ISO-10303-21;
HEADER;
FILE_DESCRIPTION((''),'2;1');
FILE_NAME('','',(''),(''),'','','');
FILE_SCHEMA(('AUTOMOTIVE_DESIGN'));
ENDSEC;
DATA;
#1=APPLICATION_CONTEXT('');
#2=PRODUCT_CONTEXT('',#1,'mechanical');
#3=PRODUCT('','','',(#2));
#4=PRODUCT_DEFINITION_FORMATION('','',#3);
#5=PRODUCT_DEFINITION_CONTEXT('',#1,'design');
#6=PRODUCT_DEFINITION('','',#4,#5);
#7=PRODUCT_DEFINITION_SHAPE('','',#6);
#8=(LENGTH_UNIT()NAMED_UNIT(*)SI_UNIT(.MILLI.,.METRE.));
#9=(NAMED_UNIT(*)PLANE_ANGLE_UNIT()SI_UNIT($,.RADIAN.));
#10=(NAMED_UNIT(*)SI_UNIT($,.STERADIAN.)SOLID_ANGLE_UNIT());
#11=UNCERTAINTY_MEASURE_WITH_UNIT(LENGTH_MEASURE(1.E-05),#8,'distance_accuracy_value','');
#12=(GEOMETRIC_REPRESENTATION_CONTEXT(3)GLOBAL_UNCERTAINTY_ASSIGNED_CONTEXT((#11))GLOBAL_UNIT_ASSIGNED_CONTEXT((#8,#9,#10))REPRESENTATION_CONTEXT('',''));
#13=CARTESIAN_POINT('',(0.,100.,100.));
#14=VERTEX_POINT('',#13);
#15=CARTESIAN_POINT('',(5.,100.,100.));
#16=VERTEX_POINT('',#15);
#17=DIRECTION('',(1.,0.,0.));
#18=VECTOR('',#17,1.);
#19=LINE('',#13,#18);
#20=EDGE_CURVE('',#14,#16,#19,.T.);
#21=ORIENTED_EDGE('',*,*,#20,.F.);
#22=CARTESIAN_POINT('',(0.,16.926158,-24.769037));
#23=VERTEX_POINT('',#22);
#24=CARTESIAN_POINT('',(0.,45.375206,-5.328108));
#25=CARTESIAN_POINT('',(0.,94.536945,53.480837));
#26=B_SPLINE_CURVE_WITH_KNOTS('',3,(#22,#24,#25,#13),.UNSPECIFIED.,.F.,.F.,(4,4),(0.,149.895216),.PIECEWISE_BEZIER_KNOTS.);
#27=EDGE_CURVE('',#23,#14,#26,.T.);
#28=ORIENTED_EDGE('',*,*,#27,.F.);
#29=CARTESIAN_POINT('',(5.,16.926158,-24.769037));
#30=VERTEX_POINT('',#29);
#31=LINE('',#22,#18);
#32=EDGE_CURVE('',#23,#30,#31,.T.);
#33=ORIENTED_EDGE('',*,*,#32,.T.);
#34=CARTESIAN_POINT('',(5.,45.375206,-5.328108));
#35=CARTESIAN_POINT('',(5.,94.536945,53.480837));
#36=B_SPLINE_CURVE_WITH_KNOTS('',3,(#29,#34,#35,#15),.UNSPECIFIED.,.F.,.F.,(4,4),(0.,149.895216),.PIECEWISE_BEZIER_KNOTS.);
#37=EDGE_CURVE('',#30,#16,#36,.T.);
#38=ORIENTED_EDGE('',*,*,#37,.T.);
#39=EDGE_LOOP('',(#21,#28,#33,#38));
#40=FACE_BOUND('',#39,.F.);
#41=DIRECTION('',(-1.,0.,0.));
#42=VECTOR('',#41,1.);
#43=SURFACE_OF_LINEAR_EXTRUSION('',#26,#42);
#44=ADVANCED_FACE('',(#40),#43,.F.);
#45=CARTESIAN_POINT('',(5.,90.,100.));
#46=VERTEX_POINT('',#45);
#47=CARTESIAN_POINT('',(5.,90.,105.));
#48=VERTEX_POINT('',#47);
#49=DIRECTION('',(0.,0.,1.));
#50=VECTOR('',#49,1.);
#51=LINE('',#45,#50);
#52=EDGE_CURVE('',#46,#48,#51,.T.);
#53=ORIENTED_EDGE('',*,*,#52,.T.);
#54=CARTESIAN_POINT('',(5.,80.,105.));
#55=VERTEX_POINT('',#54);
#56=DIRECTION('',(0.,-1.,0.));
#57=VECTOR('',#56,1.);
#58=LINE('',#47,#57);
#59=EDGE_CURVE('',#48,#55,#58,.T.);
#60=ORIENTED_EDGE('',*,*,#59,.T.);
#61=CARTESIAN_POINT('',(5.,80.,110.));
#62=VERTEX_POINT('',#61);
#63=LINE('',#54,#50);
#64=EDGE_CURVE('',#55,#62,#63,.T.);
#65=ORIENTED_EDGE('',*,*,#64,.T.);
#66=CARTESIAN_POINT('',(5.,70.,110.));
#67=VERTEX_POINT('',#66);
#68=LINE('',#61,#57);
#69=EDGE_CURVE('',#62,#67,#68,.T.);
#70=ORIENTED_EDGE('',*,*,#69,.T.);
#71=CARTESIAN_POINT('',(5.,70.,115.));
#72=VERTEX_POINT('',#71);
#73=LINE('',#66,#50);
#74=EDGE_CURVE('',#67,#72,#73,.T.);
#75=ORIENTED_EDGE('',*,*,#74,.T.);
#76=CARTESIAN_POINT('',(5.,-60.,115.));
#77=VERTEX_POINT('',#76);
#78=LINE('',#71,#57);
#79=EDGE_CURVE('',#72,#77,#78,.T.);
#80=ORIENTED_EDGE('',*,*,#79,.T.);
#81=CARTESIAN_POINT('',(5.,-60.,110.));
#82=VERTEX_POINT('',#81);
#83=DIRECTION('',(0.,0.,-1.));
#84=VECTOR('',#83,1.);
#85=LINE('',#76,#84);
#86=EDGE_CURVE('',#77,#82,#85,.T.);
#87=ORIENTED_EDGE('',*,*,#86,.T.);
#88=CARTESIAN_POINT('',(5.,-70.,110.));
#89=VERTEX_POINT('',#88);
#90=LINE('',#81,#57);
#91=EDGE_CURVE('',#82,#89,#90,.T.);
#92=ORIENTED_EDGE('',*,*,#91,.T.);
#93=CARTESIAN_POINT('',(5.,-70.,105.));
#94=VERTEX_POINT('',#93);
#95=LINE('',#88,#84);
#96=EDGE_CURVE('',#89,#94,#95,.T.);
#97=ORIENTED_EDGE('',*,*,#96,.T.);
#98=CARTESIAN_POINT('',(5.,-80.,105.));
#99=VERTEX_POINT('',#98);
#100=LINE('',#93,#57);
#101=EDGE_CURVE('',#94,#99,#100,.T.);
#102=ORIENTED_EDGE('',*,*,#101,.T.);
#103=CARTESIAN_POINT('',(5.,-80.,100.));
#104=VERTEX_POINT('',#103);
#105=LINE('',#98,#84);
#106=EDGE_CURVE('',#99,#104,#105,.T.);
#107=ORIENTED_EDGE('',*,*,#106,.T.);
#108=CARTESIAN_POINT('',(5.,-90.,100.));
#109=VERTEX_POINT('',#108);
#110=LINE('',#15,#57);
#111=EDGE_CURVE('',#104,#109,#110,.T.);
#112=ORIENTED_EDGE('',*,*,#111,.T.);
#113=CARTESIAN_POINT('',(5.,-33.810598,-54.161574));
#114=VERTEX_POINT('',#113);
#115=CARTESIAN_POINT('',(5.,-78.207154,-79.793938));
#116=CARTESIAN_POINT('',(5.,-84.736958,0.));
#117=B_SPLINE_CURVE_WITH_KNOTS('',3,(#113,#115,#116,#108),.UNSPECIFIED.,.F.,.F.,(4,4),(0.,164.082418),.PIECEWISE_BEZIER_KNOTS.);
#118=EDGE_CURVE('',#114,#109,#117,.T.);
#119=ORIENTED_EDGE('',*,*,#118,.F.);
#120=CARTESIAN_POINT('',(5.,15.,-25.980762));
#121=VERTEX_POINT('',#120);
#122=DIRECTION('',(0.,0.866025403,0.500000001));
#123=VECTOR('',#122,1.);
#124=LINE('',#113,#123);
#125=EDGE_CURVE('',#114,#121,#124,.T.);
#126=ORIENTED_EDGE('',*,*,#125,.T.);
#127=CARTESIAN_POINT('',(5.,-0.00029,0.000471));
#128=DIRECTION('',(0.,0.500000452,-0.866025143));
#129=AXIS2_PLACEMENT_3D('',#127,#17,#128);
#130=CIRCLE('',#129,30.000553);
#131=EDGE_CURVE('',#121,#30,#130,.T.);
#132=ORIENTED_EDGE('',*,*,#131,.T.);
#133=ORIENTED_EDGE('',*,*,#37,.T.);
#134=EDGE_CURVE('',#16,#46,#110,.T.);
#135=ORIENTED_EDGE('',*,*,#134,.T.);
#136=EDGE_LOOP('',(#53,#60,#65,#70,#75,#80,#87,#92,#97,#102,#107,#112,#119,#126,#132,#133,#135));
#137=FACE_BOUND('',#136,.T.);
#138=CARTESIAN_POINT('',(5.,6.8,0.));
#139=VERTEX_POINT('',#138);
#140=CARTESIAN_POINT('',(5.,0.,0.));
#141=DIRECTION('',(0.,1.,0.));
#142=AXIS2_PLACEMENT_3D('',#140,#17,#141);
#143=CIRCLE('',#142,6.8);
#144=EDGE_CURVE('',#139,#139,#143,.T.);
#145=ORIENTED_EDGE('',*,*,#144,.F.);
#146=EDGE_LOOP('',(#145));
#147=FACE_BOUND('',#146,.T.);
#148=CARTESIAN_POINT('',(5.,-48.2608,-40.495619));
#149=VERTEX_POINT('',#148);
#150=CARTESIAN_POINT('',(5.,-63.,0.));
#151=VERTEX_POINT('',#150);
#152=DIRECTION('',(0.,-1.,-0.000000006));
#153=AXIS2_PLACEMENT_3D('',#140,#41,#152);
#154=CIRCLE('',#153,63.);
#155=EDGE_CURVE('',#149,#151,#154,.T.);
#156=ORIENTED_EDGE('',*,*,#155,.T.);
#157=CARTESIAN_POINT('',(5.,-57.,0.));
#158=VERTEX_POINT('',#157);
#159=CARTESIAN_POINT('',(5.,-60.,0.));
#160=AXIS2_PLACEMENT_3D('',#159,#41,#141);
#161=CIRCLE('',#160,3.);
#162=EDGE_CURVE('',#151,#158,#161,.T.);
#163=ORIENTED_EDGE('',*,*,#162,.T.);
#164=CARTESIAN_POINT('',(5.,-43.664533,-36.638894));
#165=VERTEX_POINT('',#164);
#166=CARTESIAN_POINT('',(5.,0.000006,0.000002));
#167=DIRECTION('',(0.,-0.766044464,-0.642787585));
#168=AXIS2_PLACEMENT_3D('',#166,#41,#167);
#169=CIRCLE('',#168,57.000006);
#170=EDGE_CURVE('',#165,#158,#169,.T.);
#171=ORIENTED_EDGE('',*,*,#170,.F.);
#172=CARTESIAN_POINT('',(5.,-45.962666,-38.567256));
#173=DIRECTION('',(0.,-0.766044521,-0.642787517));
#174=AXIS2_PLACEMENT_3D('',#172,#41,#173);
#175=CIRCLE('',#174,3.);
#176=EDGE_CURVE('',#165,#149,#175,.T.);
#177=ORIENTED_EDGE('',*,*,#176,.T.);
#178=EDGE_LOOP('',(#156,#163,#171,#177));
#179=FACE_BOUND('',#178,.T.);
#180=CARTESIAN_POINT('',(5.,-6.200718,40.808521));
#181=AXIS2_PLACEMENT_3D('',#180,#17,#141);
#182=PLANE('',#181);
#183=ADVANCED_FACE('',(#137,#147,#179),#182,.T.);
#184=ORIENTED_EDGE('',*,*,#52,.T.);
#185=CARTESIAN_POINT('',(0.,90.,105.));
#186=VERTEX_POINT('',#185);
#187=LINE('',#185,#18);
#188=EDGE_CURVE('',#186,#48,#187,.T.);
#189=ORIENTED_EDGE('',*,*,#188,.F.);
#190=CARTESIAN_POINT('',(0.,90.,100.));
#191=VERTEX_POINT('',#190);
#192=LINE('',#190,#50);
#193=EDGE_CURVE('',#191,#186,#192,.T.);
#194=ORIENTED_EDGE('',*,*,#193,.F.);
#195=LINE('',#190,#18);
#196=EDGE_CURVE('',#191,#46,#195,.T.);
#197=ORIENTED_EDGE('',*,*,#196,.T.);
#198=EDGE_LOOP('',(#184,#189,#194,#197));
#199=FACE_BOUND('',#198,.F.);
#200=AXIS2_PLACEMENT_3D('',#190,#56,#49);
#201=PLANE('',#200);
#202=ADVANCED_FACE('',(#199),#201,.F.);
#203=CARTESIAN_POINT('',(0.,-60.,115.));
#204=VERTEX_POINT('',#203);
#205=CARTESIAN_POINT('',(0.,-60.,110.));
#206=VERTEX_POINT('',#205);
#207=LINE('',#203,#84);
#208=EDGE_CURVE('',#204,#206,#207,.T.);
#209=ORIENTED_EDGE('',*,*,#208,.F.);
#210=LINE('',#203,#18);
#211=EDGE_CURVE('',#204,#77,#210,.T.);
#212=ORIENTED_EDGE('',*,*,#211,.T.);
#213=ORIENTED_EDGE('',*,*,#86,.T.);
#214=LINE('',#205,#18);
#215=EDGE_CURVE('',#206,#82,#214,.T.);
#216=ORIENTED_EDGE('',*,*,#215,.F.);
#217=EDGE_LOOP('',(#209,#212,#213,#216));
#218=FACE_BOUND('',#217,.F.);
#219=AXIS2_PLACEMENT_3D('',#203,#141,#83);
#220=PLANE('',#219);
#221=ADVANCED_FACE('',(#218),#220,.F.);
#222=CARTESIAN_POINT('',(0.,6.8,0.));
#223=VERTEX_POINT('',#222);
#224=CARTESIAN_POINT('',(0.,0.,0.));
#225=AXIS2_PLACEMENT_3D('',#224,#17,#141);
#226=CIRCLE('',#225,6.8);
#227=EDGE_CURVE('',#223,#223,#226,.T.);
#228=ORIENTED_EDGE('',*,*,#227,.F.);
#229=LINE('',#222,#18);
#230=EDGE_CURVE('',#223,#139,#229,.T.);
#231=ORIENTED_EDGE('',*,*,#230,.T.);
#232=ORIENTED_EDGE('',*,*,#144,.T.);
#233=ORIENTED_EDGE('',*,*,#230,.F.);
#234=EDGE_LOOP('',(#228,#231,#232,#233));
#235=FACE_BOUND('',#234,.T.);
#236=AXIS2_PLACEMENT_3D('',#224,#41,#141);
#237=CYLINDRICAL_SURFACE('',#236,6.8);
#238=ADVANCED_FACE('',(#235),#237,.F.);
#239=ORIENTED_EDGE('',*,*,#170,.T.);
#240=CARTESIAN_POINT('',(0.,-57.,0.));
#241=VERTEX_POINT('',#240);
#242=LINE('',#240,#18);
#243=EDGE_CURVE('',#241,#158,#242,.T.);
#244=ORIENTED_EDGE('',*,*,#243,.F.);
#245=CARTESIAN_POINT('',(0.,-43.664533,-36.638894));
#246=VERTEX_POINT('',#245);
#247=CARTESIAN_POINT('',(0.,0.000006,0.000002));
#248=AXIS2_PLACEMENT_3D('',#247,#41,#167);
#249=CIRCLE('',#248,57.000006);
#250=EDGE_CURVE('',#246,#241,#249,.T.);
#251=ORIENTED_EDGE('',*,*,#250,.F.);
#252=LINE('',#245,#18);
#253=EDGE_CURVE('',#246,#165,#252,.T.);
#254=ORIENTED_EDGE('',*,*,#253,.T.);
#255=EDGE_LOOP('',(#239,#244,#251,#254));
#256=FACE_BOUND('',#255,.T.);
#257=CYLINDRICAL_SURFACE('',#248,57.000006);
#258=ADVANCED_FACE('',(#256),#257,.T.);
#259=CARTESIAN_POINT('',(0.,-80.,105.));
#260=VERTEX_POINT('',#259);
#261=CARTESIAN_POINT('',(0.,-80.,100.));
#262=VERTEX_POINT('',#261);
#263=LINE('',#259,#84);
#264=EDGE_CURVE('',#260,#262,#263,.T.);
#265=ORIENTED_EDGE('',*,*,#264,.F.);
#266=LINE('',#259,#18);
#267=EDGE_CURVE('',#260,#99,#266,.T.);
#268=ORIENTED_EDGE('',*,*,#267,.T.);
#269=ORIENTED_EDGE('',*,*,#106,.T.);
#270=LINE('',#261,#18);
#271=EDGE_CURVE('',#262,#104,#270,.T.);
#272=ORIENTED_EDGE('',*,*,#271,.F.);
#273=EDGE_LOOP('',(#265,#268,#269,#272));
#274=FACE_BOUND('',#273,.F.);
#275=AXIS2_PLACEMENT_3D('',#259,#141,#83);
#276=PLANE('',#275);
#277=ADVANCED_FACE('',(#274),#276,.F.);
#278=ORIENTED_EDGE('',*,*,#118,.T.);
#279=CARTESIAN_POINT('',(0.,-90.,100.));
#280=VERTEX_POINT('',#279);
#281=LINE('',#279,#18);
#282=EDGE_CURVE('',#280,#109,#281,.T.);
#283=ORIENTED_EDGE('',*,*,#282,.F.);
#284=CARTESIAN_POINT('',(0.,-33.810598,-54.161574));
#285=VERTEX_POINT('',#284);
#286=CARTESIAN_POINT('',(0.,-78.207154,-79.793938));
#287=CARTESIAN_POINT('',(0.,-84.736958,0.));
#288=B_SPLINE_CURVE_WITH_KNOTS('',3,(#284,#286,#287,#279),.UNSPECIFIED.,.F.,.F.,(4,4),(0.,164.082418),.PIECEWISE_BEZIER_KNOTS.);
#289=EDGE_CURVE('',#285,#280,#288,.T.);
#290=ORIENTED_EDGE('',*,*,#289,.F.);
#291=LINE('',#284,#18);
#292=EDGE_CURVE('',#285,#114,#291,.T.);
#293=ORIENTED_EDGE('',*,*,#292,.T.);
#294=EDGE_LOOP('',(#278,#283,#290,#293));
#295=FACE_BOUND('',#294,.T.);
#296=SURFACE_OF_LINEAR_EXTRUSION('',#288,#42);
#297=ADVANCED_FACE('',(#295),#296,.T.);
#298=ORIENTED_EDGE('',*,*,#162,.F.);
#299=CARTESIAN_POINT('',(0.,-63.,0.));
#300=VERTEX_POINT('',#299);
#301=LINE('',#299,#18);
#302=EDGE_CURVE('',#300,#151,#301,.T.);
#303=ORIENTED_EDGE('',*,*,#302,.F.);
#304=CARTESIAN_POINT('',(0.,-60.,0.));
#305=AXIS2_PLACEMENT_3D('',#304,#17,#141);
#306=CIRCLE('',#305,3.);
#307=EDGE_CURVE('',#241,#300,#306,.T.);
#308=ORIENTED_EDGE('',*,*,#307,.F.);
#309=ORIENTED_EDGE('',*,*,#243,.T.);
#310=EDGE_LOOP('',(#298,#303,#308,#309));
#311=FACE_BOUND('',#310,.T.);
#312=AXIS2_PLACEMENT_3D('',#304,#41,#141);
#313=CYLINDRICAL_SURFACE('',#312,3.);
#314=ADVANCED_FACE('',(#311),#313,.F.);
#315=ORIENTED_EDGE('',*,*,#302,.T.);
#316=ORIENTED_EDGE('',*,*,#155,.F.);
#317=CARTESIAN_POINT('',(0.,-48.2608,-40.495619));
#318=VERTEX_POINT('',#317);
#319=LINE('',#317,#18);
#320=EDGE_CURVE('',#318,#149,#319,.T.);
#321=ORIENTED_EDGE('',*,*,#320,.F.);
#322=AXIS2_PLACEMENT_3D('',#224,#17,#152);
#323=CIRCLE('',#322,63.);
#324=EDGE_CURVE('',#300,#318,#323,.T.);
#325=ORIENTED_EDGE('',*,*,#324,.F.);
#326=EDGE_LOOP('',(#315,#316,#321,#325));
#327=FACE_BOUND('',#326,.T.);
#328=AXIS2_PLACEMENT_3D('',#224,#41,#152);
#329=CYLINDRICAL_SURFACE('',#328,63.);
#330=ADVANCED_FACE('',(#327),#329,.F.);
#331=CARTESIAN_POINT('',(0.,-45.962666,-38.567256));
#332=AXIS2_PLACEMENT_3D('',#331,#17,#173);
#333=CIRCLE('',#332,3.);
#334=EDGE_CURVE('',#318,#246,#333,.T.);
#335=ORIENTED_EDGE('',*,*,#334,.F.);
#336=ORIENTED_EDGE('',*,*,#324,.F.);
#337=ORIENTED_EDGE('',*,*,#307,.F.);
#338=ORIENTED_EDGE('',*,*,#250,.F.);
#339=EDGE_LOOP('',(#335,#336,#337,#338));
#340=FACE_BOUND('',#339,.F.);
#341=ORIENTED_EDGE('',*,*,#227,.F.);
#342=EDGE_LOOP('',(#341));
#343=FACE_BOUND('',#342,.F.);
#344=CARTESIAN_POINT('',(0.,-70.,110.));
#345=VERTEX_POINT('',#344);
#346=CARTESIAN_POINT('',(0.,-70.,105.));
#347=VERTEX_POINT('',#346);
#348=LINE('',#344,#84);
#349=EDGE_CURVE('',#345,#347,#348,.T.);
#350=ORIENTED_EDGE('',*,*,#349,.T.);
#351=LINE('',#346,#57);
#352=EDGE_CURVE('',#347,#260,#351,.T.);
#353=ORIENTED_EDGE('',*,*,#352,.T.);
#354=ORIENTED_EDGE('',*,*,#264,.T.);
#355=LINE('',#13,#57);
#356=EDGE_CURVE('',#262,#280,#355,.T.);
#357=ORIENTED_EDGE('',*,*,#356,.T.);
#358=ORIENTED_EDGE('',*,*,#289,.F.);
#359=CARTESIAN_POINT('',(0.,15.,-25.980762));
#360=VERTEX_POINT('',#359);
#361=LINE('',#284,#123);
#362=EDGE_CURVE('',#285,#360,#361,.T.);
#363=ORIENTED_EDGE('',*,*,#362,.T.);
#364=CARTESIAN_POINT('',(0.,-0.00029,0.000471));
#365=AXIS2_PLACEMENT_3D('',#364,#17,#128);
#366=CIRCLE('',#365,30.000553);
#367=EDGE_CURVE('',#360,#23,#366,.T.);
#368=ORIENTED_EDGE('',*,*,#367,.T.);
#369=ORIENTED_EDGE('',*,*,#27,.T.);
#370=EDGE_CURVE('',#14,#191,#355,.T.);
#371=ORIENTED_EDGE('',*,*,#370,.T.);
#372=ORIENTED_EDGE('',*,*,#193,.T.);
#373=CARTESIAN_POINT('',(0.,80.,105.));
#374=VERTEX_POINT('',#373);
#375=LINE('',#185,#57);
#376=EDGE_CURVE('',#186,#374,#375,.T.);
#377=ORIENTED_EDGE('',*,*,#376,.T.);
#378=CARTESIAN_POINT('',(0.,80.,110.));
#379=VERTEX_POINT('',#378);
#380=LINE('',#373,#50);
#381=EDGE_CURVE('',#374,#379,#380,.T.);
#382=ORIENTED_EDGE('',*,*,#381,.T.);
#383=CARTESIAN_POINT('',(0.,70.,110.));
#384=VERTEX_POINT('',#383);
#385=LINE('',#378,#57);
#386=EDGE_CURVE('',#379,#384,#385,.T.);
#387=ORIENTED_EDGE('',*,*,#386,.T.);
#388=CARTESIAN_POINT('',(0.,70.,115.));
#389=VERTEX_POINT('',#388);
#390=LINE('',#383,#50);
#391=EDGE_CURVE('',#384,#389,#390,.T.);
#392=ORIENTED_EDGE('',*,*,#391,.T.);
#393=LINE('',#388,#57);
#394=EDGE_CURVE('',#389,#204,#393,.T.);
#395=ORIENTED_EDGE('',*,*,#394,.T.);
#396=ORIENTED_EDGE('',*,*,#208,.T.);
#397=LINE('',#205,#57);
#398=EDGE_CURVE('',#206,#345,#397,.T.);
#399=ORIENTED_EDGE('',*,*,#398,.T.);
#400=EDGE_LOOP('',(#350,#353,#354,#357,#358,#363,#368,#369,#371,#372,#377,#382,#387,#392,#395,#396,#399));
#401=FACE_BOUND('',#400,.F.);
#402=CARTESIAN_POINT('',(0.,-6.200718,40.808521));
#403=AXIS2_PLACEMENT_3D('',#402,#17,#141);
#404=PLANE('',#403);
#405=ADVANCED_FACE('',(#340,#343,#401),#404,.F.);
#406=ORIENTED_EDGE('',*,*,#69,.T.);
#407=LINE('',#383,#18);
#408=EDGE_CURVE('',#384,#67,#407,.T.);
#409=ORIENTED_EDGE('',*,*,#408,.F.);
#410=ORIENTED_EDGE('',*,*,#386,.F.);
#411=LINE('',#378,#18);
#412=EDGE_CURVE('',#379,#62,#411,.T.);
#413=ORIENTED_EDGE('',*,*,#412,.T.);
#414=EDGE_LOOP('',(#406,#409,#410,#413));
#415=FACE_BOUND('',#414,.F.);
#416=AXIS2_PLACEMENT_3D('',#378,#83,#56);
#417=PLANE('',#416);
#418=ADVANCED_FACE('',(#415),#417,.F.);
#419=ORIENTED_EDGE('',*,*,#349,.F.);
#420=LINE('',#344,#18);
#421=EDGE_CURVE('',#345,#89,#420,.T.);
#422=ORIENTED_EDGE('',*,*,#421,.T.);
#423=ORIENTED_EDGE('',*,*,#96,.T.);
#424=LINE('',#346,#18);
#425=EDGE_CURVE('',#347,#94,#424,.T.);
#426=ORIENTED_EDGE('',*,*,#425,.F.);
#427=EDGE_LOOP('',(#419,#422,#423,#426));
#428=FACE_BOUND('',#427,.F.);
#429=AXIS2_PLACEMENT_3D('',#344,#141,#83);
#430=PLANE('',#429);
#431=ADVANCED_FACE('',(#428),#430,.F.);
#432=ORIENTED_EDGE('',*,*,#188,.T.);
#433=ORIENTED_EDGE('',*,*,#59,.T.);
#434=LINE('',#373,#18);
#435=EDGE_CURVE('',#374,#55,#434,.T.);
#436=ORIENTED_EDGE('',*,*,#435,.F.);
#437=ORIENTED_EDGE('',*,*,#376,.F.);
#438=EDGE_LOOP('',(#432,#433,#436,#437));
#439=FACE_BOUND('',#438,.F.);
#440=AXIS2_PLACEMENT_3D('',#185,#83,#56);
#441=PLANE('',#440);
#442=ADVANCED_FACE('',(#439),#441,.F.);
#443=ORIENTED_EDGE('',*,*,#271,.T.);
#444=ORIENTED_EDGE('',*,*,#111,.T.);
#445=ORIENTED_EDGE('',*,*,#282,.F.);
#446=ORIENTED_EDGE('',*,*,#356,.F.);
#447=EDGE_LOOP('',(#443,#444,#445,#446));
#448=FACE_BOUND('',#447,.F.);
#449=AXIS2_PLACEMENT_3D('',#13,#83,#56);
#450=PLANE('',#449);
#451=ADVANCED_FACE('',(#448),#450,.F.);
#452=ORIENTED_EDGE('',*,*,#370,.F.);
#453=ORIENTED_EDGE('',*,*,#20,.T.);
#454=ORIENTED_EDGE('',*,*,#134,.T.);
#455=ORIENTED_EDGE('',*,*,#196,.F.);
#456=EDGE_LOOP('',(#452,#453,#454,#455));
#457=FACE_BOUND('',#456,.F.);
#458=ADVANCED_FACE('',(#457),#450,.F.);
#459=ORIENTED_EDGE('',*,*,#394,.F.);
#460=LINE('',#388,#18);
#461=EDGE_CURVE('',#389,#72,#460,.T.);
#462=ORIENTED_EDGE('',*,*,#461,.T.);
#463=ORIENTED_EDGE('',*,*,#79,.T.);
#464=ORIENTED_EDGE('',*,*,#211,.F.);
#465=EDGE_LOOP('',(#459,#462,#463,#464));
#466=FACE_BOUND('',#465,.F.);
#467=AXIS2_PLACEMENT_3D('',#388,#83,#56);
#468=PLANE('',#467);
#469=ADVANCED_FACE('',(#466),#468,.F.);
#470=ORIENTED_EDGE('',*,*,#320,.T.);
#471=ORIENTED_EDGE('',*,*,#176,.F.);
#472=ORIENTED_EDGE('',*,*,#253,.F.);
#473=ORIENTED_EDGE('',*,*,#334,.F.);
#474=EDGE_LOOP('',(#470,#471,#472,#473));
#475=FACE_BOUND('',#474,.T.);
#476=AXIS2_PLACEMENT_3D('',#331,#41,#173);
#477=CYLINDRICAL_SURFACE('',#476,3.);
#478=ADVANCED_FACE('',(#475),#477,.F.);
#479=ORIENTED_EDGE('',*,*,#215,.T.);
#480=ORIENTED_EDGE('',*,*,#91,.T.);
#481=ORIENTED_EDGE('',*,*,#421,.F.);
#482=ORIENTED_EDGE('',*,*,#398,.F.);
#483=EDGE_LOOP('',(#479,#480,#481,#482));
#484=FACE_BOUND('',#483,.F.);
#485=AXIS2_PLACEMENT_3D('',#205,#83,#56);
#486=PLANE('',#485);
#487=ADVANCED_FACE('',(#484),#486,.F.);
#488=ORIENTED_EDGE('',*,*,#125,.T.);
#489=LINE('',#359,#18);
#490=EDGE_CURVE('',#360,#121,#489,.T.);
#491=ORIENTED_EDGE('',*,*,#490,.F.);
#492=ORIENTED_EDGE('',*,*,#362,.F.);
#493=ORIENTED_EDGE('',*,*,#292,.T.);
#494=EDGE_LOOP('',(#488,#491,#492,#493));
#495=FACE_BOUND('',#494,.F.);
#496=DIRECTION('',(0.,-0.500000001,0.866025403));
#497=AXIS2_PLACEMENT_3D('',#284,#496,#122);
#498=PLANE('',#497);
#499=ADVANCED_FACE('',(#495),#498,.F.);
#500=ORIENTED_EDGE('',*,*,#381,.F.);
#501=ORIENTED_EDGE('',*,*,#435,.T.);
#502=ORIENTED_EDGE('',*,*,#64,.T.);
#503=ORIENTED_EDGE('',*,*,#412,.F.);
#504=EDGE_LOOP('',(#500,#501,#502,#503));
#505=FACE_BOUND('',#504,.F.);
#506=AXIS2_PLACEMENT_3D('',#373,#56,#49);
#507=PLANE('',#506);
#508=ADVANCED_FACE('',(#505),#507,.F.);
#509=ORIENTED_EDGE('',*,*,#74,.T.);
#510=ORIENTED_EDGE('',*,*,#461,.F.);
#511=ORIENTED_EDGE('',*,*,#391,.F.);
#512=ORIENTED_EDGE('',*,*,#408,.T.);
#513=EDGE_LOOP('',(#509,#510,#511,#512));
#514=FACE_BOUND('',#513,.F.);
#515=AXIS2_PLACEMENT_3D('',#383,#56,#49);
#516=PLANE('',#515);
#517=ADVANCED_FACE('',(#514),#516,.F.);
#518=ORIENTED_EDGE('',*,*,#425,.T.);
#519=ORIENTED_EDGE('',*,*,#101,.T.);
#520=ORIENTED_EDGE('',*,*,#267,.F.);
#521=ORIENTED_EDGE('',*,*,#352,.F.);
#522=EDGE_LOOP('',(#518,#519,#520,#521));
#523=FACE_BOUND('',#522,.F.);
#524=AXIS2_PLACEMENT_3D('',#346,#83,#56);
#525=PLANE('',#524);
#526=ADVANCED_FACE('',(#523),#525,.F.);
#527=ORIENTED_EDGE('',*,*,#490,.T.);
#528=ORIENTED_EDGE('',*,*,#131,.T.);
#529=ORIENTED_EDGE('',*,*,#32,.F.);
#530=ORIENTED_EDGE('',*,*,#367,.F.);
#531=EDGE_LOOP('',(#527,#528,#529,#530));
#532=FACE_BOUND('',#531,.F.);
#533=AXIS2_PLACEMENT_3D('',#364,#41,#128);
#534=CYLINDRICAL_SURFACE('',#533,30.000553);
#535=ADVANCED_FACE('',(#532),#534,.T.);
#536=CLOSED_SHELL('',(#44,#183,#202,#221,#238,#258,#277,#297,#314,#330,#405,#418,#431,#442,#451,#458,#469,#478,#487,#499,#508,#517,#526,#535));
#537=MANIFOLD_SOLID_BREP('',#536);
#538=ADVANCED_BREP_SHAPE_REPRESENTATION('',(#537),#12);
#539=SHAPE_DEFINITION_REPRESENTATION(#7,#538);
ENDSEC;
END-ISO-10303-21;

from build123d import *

# Parameters (mm, degrees)
F0_R     = 6.8
F3_DEPTH = 5
F4_DEPTH = 5.001
F5_DEPTH = 5


with BuildPart() as f3:
    # F0 (on Right) → F3 (new body)
    with BuildSketch(Plane.YZ):
        with BuildLine():
            ThreePointArc((15, -25.980762), (15.974572, -25.393169), (16.926158, -24.769037))
            add(Edge.make_bspline(
                [(16.926158, -24.769037), (45.375206, -5.328108), (94.536945, 53.480837), (100, 100)],
                knots=[0, 0, 0, 0, 149.895216, 149.895216, 149.895216, 149.895216], degree=3))
            Line((100, 100), (-90, 100))
            add(Edge.make_bspline(
                [(-33.810598, -54.161574), (-78.207154, -79.793938), (-84.736958, 0), (-90, 100)],
                knots=[0, 0, 0, 0, 164.082418, 164.082418, 164.082418, 164.082418], degree=3))
            Line((-33.810598, -54.161574), (15, -25.980762))
        make_face()
        Circle(F0_R, mode=Mode.SUBTRACT)
    extrude(amount=F3_DEPTH)

    # F1 (on Right) → F4 (cut, through all)
    with BuildSketch(Plane.YZ):
        with BuildLine():
            ThreePointArc((-57, 0), (-60, 3), (-63, 0))
            ThreePointArc((-63, 0), (-59.200635, -21.547269), (-48.2608, -40.495619))
            ThreePointArc((-48.2608, -40.495619), (-44.034304, -40.86539), (-43.664533, -36.638894))
            ThreePointArc((-43.664533, -36.638894), (-53.562479, -19.495148), (-57, 0))
        make_face()
    extrude(amount=F4_DEPTH, mode=Mode.SUBTRACT)

    # F2 (on Right) → F5 (join)
    with BuildSketch(Plane.YZ):
        Polygon((-80, 105), (-80, 100), (90, 100), (90, 105), (80, 105), (80, 110), (70, 110), (70, 115), (60, 115), (-50, 115), (-60, 115), (-60, 110), (-70, 110), (-70, 105), align=None)
    extrude(amount=F5_DEPTH)


solid = f3.part
